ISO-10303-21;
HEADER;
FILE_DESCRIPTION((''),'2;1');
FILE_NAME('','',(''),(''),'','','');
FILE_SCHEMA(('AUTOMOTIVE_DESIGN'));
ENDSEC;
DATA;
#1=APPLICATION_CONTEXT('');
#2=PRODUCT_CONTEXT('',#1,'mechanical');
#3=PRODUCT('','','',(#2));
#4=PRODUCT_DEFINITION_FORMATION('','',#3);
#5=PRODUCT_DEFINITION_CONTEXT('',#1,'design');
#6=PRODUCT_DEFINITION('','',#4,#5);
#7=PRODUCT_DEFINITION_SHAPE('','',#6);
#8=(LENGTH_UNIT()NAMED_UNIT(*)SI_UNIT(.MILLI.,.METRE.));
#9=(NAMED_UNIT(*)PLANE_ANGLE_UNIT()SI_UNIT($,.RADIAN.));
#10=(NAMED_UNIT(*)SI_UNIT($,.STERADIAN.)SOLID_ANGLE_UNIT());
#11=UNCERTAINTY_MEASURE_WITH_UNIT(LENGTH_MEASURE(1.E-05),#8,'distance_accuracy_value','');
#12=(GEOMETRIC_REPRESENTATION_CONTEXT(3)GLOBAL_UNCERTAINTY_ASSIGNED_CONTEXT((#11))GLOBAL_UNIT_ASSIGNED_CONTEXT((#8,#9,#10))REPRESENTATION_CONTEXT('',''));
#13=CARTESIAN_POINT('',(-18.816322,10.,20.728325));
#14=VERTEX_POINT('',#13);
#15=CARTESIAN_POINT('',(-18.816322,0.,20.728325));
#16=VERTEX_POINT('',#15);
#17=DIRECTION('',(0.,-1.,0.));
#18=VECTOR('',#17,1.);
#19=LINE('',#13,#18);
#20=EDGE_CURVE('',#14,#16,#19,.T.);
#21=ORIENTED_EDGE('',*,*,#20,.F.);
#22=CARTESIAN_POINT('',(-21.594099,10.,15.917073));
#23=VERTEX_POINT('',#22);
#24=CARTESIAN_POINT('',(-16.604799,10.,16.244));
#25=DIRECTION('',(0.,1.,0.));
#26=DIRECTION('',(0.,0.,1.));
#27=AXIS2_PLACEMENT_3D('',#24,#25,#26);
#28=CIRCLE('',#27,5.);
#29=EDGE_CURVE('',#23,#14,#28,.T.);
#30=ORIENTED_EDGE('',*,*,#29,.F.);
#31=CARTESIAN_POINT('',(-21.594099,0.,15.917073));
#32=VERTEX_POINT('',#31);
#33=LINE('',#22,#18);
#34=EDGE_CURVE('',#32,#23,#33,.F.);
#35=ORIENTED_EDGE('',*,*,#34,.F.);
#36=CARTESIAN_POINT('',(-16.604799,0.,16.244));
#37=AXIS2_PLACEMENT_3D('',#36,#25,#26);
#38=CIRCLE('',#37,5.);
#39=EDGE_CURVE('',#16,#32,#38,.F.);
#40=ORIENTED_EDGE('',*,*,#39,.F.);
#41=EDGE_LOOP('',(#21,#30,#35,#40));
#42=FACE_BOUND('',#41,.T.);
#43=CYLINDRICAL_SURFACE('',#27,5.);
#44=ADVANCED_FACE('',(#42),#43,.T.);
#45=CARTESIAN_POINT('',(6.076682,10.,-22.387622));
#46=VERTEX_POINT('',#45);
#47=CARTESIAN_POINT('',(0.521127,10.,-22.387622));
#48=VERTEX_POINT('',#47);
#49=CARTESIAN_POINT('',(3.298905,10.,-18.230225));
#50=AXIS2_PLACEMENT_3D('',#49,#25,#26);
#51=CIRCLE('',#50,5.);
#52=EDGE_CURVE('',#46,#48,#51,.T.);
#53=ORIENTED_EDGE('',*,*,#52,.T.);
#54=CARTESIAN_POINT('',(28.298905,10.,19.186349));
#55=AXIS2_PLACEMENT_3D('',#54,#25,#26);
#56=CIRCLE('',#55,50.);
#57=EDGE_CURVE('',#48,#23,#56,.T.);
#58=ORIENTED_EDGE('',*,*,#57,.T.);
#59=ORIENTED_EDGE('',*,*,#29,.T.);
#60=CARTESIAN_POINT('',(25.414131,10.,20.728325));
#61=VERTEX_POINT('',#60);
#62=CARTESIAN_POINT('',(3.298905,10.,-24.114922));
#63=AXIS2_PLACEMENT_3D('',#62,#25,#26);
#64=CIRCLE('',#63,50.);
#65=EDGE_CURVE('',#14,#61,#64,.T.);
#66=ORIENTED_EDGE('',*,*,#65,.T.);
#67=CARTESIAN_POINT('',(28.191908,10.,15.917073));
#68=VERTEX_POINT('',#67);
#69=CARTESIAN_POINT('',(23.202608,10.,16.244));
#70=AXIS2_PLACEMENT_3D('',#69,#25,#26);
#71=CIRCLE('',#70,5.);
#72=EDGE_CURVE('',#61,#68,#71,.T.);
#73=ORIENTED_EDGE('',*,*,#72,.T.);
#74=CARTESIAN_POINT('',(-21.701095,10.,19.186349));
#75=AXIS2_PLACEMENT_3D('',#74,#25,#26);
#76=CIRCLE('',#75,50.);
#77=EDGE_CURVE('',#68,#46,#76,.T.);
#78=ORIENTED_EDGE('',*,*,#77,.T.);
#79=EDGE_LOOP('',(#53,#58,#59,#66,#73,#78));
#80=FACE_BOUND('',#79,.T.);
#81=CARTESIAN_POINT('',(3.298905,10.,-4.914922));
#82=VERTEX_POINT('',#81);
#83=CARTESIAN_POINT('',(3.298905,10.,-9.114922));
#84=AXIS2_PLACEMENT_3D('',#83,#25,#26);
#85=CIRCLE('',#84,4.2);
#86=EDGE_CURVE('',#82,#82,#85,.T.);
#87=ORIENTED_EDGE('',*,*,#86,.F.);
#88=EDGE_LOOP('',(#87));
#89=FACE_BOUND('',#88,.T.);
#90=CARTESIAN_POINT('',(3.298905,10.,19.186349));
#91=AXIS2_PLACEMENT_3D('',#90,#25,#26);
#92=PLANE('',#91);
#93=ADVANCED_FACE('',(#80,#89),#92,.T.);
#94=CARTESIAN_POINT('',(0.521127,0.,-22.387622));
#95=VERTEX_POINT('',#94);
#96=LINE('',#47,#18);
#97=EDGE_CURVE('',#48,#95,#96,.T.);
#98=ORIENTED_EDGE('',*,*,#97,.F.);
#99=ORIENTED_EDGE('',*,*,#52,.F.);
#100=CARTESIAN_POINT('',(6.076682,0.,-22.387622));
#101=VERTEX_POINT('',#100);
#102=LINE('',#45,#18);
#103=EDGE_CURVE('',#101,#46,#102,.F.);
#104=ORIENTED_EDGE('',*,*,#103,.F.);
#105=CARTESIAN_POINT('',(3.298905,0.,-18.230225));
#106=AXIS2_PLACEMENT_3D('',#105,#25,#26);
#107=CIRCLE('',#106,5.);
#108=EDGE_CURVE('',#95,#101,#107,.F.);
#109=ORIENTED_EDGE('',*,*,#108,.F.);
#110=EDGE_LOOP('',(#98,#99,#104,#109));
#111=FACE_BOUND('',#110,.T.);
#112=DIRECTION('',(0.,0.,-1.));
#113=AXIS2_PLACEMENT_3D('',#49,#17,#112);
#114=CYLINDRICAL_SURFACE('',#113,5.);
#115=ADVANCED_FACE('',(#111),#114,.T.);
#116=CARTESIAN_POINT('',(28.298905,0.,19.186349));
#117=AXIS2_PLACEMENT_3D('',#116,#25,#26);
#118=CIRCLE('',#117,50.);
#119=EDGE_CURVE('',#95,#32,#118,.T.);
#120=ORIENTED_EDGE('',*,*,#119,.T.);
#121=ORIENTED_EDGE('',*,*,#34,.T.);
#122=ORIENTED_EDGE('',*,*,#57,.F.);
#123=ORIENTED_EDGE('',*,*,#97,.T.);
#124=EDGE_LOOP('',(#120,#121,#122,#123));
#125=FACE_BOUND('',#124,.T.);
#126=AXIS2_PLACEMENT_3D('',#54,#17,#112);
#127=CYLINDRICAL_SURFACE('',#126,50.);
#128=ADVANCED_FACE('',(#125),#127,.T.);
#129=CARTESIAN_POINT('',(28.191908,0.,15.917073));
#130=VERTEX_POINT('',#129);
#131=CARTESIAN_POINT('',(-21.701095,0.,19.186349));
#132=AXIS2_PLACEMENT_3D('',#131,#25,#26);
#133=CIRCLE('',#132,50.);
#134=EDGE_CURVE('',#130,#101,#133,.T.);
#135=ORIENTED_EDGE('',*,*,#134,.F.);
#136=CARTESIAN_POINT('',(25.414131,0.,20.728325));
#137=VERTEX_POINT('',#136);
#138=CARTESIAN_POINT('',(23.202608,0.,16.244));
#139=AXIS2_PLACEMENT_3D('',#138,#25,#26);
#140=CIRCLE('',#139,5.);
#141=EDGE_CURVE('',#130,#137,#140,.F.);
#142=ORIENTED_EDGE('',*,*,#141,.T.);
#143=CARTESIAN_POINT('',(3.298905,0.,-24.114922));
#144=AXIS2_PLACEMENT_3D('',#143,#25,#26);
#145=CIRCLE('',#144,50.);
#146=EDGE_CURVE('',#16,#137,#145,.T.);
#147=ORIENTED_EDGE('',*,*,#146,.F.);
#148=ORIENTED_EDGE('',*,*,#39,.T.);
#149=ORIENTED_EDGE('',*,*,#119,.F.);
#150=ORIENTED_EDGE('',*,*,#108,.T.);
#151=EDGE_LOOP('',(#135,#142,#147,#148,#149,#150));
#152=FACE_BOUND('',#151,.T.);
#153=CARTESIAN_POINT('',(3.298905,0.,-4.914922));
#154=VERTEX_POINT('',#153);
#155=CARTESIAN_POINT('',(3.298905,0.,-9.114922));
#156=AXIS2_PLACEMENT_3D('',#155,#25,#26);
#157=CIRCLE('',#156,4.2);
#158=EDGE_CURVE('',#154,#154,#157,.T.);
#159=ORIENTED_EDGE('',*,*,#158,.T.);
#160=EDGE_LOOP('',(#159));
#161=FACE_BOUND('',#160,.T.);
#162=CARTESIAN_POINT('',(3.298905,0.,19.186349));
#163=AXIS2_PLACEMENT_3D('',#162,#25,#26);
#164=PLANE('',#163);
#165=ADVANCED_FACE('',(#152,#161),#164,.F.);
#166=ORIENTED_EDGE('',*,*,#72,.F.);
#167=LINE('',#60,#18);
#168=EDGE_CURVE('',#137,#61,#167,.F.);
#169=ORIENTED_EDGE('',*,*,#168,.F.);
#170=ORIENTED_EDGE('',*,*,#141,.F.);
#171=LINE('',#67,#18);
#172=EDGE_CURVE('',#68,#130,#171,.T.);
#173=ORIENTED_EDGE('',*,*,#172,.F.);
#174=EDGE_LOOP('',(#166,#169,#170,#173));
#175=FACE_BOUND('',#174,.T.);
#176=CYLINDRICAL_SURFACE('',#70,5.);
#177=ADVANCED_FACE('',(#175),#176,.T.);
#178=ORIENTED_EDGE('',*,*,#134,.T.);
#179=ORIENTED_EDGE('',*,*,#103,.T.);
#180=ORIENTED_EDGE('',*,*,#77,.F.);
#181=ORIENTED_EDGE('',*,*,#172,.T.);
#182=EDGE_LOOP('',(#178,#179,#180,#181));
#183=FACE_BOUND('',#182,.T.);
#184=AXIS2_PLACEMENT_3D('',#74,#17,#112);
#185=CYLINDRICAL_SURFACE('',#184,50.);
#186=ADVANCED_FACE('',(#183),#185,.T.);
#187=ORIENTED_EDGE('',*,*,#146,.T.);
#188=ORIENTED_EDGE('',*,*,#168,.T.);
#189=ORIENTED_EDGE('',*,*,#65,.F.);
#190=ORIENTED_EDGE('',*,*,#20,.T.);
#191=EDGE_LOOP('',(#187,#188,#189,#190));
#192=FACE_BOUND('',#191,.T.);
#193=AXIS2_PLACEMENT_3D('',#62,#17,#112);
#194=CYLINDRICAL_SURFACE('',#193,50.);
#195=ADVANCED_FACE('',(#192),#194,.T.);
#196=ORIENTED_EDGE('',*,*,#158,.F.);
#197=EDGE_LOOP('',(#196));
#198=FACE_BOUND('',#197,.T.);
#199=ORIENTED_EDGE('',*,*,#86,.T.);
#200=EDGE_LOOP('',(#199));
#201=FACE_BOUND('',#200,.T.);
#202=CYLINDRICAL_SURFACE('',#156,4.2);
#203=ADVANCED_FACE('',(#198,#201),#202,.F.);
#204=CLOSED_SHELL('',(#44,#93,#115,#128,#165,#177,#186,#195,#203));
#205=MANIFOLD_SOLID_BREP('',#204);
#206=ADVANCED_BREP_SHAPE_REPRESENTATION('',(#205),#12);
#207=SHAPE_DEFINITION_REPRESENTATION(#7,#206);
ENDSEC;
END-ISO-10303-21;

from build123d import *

# Parameters (mm, degrees)
EXTRUDE_1_DEPTH     = 10
SKETCH_2_R          = 4.2
CUT_EXTRUDE_1_DEPTH = 40.634142812
FILLET_1_R          = 5
FILLET_2_R          = 5
FILLET_3_R          = 5


with BuildPart() as part:
    # 草图1 → 凸台-拉伸1 (new body)
    with BuildSketch(Plane(origin=(0, 0, 0), x_dir=(1, 0, 0), z_dir=(0, 1, 0))):
        with BuildLine():
            ThreePointArc((-21.701095489, -19.186348515), (3.298904511, -25.885078326), (28.298904511, -19.186348515))
            ThreePointArc((28.298904511, -19.186348515), (21.6001747, 5.813651485), (3.298904511, 24.114921674))
            ThreePointArc((3.298904511, 24.114921674), (-15.002365678, 5.813651485), (-21.701095489, -19.186348515))
        make_face()
    extrude(amount=EXTRUDE_1_DEPTH)

    # 草图2 → 切除-拉伸1 (cut, through all)
    with BuildSketch(Plane(origin=(0, 10, 0), x_dir=(1, 0, 0), z_dir=(0, 1, 0))):
        with Locations(Location((3.298904511, 9.114921674, 0), (0, 0, 270))):
            Circle(SKETCH_2_R)
    extrude(amount=-CUT_EXTRUDE_1_DEPTH, mode=Mode.SUBTRACT)

    # 圆角1
    fillet_1_edges = [part.edges().sort_by_distance(p)[0] for p in [
        (3.298904511, 5, -24.114921674),
    ]]
    fillet(fillet_1_edges, radius=FILLET_1_R)

    # 圆角2
    fillet_2_edges = [part.edges().sort_by_distance(p)[0] for p in [
        (-21.701095489, 5, 19.186348515),
    ]]
    fillet(fillet_2_edges, radius=FILLET_2_R)

    # 圆角3
    fillet_3_edges = [part.edges().sort_by_distance(p)[0] for p in [
        (28.298904511, 5, 19.186348515),
    ]]
    fillet(fillet_3_edges, radius=FILLET_3_R)


solid = part.part
